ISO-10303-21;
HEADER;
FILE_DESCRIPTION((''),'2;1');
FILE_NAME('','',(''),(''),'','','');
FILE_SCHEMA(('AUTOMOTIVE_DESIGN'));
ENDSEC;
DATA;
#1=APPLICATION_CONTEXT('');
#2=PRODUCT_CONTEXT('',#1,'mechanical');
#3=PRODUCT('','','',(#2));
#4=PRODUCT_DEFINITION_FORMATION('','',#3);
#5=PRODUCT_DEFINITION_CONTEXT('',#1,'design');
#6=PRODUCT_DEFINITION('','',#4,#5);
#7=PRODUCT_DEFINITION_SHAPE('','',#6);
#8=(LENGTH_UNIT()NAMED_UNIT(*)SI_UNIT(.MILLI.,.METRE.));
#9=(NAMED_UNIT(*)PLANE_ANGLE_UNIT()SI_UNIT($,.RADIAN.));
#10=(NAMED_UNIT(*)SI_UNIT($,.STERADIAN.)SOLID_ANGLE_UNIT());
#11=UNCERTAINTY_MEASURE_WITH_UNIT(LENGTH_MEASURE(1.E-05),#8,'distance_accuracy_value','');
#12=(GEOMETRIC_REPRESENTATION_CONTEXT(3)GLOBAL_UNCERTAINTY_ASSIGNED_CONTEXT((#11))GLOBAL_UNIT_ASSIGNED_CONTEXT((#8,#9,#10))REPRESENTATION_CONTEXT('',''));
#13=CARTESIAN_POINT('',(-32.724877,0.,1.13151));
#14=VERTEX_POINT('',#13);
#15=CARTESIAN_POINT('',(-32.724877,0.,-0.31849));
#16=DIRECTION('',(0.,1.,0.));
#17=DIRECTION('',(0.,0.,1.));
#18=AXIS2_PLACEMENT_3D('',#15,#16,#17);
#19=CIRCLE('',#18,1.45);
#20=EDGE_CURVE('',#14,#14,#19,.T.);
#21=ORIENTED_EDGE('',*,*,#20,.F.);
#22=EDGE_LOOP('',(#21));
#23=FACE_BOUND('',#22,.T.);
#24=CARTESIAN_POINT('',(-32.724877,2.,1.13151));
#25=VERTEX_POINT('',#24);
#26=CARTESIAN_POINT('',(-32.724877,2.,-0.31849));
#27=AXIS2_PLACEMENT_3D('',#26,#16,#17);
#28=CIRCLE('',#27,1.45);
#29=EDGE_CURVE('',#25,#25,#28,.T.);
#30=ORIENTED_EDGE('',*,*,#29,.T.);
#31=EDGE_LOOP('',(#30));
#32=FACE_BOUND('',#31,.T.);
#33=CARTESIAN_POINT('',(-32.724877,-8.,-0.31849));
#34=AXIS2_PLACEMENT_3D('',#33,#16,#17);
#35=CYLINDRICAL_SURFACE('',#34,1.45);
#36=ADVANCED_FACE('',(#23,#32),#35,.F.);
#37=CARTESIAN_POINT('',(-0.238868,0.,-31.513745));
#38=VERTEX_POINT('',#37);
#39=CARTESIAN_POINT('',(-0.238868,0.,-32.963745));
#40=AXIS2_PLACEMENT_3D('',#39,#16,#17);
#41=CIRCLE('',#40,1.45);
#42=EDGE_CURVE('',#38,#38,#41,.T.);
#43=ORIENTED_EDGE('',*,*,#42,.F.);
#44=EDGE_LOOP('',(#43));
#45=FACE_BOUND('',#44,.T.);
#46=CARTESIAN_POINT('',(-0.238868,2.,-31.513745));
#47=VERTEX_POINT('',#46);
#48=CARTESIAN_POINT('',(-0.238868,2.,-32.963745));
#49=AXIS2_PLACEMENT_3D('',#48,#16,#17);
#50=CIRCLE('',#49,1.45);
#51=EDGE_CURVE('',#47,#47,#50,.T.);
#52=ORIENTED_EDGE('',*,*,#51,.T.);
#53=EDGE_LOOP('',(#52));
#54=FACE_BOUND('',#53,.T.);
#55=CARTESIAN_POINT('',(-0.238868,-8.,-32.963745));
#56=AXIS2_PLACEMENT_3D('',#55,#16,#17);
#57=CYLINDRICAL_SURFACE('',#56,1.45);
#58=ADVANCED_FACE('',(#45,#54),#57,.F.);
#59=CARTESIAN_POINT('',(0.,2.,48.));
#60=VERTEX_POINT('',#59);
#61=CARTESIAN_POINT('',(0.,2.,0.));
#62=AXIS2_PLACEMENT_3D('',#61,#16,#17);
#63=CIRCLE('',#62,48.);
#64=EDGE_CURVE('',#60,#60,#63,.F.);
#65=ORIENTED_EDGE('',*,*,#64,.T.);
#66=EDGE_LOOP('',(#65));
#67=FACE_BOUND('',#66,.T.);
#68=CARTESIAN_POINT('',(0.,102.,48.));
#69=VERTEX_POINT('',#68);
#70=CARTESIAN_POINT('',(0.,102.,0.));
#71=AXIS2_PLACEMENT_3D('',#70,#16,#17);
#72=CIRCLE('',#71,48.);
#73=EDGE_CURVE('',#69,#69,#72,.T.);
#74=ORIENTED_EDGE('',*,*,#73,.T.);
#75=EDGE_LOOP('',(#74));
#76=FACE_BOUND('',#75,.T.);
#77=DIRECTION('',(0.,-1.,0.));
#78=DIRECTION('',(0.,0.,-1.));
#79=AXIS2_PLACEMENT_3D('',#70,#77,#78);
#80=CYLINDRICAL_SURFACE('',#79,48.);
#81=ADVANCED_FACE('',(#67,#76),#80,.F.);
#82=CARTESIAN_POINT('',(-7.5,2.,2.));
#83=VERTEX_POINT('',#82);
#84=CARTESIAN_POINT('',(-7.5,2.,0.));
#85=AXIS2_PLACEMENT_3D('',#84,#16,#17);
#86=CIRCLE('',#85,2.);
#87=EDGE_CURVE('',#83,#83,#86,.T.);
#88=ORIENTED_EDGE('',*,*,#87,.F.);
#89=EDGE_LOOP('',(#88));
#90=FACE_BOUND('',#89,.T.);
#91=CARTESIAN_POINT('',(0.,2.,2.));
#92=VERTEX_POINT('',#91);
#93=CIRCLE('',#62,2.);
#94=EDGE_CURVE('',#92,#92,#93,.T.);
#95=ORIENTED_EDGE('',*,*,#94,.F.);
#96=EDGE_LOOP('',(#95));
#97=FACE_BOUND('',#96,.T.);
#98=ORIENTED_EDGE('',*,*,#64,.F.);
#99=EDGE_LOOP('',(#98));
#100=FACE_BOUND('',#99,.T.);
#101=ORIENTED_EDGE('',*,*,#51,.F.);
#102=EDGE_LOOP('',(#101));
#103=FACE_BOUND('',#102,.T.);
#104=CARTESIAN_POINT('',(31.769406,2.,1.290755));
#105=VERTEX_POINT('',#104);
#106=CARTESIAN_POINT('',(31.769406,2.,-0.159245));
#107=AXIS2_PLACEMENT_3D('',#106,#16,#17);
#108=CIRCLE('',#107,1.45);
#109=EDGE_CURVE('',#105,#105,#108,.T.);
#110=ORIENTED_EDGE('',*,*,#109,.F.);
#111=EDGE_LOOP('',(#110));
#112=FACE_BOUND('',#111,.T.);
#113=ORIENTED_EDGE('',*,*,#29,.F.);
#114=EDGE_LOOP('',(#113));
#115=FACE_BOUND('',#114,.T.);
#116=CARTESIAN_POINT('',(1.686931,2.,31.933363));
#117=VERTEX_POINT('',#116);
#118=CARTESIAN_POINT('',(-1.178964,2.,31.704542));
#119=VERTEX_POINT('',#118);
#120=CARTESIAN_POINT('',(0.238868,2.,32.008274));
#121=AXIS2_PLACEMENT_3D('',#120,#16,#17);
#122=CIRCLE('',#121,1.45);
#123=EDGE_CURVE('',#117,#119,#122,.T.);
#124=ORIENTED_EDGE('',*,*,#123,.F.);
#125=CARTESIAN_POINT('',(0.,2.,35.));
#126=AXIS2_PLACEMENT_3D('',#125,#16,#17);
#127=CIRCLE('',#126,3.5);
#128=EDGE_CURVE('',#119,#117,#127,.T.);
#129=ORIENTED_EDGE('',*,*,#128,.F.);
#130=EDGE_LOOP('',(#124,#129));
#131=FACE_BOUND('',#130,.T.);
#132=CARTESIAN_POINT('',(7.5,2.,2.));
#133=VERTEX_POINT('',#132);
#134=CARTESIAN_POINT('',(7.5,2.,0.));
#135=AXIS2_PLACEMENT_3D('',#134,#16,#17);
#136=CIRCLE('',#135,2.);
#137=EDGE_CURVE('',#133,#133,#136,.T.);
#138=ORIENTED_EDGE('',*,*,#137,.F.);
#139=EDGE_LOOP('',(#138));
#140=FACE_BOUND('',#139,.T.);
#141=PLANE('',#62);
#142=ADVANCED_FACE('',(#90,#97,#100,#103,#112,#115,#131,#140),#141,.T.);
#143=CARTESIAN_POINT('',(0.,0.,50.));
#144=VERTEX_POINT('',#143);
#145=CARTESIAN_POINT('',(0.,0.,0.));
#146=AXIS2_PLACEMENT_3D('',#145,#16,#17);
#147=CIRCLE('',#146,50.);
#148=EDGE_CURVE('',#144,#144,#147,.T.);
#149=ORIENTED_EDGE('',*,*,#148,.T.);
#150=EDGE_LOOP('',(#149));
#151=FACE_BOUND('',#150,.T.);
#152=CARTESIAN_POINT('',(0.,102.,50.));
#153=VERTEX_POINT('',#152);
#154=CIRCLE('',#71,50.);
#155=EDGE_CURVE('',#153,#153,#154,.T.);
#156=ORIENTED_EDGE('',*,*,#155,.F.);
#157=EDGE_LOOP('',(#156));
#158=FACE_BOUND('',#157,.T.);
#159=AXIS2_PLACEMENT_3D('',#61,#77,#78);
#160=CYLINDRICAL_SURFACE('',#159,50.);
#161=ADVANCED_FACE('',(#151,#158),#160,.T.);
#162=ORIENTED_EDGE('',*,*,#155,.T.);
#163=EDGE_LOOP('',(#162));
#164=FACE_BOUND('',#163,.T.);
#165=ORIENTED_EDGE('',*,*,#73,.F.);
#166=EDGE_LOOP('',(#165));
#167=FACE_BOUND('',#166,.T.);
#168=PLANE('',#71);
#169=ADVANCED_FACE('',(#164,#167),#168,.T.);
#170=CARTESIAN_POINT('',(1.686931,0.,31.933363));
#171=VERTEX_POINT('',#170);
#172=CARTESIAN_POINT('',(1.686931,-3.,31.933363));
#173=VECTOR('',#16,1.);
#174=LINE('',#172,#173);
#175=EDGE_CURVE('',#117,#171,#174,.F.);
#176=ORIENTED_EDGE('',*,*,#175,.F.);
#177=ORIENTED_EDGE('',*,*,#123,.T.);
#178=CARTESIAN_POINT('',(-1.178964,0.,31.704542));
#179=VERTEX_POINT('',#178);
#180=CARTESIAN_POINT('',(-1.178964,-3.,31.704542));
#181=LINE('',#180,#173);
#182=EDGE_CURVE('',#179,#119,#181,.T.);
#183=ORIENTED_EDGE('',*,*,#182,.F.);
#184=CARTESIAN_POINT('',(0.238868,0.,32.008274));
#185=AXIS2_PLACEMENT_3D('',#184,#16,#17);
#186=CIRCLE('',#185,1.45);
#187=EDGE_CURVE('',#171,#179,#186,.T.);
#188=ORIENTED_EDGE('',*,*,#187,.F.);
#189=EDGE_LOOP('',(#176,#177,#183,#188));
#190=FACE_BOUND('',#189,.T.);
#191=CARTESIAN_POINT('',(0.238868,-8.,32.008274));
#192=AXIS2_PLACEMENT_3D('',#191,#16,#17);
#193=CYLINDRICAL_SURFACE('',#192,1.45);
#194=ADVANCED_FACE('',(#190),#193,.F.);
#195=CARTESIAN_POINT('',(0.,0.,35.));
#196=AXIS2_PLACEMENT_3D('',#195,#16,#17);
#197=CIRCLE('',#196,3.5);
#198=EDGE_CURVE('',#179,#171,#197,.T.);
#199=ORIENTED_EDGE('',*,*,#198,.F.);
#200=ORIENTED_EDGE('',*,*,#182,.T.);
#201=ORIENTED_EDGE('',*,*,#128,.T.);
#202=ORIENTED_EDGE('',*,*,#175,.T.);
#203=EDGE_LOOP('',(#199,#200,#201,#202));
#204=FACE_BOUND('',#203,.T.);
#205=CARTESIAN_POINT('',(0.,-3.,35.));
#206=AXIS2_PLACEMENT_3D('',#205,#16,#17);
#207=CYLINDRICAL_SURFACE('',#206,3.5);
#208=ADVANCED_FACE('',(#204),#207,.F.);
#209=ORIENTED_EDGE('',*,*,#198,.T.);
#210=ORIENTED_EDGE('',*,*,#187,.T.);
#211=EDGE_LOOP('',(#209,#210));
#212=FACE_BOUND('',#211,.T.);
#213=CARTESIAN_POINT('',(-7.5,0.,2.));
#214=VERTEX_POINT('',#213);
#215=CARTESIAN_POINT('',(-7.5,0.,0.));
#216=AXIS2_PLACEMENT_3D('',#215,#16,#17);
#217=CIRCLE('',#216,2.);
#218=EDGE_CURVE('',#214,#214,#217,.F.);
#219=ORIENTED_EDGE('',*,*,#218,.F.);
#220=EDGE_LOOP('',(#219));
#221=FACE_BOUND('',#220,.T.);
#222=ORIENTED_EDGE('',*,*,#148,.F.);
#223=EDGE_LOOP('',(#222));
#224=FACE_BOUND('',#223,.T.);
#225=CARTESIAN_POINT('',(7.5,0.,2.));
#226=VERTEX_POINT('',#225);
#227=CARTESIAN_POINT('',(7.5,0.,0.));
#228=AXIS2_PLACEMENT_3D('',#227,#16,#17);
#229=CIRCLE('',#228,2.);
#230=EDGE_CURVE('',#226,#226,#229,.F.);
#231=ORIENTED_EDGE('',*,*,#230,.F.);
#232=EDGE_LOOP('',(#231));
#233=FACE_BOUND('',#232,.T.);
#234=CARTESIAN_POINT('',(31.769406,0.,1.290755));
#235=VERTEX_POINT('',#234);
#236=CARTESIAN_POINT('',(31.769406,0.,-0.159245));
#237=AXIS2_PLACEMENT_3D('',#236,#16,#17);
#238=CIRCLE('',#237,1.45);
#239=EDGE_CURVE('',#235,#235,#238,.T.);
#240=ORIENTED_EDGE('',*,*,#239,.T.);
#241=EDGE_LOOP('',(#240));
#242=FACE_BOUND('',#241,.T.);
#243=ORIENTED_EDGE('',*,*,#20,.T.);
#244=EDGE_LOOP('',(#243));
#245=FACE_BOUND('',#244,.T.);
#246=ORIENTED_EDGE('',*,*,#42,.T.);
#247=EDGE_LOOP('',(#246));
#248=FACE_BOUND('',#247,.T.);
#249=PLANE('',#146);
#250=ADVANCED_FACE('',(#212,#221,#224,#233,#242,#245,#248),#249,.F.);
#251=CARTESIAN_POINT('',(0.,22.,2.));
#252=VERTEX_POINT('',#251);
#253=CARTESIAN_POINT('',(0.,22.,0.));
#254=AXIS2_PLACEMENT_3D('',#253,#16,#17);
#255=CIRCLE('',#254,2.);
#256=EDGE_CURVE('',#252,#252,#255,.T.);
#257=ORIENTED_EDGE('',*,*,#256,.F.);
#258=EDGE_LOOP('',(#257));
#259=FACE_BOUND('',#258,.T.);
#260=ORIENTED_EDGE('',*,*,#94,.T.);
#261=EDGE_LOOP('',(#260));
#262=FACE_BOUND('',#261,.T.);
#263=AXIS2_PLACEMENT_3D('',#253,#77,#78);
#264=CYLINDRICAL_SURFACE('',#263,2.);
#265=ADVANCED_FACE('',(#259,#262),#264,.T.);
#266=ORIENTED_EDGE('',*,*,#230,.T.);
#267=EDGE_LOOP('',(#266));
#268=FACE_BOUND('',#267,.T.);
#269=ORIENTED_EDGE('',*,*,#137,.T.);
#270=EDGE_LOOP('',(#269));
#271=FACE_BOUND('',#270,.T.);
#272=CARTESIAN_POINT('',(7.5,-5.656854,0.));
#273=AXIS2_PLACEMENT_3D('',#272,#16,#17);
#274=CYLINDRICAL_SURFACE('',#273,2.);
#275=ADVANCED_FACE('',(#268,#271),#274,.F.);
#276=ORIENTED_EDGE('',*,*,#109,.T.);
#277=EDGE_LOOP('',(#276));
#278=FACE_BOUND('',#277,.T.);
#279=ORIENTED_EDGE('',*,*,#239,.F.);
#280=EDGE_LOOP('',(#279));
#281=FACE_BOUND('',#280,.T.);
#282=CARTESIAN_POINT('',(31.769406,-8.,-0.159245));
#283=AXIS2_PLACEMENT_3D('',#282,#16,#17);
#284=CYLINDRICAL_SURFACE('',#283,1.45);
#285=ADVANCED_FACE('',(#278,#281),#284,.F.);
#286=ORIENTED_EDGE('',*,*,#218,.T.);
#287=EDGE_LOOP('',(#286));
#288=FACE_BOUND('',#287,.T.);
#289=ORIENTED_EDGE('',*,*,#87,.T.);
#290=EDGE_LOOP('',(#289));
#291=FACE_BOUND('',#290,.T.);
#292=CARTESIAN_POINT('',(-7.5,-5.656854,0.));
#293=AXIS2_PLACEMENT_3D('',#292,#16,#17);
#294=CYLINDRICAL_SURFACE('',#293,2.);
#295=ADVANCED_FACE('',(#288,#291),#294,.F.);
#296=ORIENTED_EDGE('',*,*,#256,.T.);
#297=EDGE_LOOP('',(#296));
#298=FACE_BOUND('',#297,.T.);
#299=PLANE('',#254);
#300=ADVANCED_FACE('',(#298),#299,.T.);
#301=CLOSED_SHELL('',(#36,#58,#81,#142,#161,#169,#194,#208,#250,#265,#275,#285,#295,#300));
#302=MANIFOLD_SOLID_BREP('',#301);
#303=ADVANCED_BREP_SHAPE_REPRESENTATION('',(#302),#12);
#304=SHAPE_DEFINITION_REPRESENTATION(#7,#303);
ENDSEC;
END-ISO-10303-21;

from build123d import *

# Parameters (mm, degrees)
SKETCH1_R           = 50
BOSS_EXTRUDE1_DEPTH = 2
SKETCH4_R           = 2
CUT_EXTRUDE1_DEPTH  = 2
SKETCH5_R           = 50
SKETCH5_R_2         = 48
BOSS_EXTRUDE2_DEPTH = 100
SKETCH6_R           = 2
BOSS_EXTRUDE3_DEPTH = 20
SKETCH7_R           = 3.5
CUT_EXTRUDE2_DEPTH  = 5
SKETCH8_R           = 1.45
CUT_EXTRUDE3_DEPTH  = 10


with BuildPart() as part:
    # Sketch1 → Boss-Extrude1 (new body)
    with BuildSketch(Plane(origin=(0, 0, 0), x_dir=(1, 0, 0), z_dir=(0, 1, 0))):
        Circle(SKETCH1_R)
    extrude(amount=BOSS_EXTRUDE1_DEPTH)

    # Sketch4 → Cut-Extrude1 (cut)
    with BuildSketch(Plane(origin=(0, 2, 0), x_dir=(1, 0, 0), z_dir=(0, 1, 0))):
        with Locations((-7.5, 0)):
            Circle(SKETCH4_R)
        with Locations((7.5, 0)):
            Circle(SKETCH4_R)
    extrude(amount=-CUT_EXTRUDE1_DEPTH, mode=Mode.SUBTRACT)

    # Sketch5 → Boss-Extrude2 (add)
    with BuildSketch(Plane(origin=(0, 2, 0), x_dir=(1, 0, 0), z_dir=(0, 1, 0))):
        Circle(SKETCH5_R)
        Circle(SKETCH5_R_2, mode=Mode.SUBTRACT)
    extrude(amount=BOSS_EXTRUDE2_DEPTH)

    # Sketch6 → Boss-Extrude3 (add)
    with BuildSketch(Plane(origin=(0, 2, 0), x_dir=(1, 0, 0), z_dir=(0, 1, 0))):
        Circle(SKETCH6_R)
    extrude(amount=BOSS_EXTRUDE3_DEPTH)

    # Sketch7 → Cut-Extrude2 (cut)
    with BuildSketch(Plane(origin=(0, 2, 0), x_dir=(1, 0, 0), z_dir=(0, 1, 0))):
        with Locations((0, -35)):
            Circle(SKETCH7_R)
    extrude(amount=-CUT_EXTRUDE2_DEPTH, mode=Mode.SUBTRACT)

    # Sketch8 → Cut-Extrude3 (cut)
    with BuildSketch(Plane(origin=(0, 2, 0), x_dir=(1, 0, 0), z_dir=(0, 1, 0))):
        with Locations((0.238867715, -32.008273773)):
            Circle(SKETCH8_R)
        with Locations((-32.724876918, 0.318490286)):
            Circle(SKETCH8_R)
        with Locations((-0.238867715, 32.963744632)):
            Circle(SKETCH8_R)
        with Locations((31.769406059, 0.159245143)):
            Circle(SKETCH8_R)
    extrude(amount=-CUT_EXTRUDE3_DEPTH, mode=Mode.SUBTRACT)


solid = part.part
